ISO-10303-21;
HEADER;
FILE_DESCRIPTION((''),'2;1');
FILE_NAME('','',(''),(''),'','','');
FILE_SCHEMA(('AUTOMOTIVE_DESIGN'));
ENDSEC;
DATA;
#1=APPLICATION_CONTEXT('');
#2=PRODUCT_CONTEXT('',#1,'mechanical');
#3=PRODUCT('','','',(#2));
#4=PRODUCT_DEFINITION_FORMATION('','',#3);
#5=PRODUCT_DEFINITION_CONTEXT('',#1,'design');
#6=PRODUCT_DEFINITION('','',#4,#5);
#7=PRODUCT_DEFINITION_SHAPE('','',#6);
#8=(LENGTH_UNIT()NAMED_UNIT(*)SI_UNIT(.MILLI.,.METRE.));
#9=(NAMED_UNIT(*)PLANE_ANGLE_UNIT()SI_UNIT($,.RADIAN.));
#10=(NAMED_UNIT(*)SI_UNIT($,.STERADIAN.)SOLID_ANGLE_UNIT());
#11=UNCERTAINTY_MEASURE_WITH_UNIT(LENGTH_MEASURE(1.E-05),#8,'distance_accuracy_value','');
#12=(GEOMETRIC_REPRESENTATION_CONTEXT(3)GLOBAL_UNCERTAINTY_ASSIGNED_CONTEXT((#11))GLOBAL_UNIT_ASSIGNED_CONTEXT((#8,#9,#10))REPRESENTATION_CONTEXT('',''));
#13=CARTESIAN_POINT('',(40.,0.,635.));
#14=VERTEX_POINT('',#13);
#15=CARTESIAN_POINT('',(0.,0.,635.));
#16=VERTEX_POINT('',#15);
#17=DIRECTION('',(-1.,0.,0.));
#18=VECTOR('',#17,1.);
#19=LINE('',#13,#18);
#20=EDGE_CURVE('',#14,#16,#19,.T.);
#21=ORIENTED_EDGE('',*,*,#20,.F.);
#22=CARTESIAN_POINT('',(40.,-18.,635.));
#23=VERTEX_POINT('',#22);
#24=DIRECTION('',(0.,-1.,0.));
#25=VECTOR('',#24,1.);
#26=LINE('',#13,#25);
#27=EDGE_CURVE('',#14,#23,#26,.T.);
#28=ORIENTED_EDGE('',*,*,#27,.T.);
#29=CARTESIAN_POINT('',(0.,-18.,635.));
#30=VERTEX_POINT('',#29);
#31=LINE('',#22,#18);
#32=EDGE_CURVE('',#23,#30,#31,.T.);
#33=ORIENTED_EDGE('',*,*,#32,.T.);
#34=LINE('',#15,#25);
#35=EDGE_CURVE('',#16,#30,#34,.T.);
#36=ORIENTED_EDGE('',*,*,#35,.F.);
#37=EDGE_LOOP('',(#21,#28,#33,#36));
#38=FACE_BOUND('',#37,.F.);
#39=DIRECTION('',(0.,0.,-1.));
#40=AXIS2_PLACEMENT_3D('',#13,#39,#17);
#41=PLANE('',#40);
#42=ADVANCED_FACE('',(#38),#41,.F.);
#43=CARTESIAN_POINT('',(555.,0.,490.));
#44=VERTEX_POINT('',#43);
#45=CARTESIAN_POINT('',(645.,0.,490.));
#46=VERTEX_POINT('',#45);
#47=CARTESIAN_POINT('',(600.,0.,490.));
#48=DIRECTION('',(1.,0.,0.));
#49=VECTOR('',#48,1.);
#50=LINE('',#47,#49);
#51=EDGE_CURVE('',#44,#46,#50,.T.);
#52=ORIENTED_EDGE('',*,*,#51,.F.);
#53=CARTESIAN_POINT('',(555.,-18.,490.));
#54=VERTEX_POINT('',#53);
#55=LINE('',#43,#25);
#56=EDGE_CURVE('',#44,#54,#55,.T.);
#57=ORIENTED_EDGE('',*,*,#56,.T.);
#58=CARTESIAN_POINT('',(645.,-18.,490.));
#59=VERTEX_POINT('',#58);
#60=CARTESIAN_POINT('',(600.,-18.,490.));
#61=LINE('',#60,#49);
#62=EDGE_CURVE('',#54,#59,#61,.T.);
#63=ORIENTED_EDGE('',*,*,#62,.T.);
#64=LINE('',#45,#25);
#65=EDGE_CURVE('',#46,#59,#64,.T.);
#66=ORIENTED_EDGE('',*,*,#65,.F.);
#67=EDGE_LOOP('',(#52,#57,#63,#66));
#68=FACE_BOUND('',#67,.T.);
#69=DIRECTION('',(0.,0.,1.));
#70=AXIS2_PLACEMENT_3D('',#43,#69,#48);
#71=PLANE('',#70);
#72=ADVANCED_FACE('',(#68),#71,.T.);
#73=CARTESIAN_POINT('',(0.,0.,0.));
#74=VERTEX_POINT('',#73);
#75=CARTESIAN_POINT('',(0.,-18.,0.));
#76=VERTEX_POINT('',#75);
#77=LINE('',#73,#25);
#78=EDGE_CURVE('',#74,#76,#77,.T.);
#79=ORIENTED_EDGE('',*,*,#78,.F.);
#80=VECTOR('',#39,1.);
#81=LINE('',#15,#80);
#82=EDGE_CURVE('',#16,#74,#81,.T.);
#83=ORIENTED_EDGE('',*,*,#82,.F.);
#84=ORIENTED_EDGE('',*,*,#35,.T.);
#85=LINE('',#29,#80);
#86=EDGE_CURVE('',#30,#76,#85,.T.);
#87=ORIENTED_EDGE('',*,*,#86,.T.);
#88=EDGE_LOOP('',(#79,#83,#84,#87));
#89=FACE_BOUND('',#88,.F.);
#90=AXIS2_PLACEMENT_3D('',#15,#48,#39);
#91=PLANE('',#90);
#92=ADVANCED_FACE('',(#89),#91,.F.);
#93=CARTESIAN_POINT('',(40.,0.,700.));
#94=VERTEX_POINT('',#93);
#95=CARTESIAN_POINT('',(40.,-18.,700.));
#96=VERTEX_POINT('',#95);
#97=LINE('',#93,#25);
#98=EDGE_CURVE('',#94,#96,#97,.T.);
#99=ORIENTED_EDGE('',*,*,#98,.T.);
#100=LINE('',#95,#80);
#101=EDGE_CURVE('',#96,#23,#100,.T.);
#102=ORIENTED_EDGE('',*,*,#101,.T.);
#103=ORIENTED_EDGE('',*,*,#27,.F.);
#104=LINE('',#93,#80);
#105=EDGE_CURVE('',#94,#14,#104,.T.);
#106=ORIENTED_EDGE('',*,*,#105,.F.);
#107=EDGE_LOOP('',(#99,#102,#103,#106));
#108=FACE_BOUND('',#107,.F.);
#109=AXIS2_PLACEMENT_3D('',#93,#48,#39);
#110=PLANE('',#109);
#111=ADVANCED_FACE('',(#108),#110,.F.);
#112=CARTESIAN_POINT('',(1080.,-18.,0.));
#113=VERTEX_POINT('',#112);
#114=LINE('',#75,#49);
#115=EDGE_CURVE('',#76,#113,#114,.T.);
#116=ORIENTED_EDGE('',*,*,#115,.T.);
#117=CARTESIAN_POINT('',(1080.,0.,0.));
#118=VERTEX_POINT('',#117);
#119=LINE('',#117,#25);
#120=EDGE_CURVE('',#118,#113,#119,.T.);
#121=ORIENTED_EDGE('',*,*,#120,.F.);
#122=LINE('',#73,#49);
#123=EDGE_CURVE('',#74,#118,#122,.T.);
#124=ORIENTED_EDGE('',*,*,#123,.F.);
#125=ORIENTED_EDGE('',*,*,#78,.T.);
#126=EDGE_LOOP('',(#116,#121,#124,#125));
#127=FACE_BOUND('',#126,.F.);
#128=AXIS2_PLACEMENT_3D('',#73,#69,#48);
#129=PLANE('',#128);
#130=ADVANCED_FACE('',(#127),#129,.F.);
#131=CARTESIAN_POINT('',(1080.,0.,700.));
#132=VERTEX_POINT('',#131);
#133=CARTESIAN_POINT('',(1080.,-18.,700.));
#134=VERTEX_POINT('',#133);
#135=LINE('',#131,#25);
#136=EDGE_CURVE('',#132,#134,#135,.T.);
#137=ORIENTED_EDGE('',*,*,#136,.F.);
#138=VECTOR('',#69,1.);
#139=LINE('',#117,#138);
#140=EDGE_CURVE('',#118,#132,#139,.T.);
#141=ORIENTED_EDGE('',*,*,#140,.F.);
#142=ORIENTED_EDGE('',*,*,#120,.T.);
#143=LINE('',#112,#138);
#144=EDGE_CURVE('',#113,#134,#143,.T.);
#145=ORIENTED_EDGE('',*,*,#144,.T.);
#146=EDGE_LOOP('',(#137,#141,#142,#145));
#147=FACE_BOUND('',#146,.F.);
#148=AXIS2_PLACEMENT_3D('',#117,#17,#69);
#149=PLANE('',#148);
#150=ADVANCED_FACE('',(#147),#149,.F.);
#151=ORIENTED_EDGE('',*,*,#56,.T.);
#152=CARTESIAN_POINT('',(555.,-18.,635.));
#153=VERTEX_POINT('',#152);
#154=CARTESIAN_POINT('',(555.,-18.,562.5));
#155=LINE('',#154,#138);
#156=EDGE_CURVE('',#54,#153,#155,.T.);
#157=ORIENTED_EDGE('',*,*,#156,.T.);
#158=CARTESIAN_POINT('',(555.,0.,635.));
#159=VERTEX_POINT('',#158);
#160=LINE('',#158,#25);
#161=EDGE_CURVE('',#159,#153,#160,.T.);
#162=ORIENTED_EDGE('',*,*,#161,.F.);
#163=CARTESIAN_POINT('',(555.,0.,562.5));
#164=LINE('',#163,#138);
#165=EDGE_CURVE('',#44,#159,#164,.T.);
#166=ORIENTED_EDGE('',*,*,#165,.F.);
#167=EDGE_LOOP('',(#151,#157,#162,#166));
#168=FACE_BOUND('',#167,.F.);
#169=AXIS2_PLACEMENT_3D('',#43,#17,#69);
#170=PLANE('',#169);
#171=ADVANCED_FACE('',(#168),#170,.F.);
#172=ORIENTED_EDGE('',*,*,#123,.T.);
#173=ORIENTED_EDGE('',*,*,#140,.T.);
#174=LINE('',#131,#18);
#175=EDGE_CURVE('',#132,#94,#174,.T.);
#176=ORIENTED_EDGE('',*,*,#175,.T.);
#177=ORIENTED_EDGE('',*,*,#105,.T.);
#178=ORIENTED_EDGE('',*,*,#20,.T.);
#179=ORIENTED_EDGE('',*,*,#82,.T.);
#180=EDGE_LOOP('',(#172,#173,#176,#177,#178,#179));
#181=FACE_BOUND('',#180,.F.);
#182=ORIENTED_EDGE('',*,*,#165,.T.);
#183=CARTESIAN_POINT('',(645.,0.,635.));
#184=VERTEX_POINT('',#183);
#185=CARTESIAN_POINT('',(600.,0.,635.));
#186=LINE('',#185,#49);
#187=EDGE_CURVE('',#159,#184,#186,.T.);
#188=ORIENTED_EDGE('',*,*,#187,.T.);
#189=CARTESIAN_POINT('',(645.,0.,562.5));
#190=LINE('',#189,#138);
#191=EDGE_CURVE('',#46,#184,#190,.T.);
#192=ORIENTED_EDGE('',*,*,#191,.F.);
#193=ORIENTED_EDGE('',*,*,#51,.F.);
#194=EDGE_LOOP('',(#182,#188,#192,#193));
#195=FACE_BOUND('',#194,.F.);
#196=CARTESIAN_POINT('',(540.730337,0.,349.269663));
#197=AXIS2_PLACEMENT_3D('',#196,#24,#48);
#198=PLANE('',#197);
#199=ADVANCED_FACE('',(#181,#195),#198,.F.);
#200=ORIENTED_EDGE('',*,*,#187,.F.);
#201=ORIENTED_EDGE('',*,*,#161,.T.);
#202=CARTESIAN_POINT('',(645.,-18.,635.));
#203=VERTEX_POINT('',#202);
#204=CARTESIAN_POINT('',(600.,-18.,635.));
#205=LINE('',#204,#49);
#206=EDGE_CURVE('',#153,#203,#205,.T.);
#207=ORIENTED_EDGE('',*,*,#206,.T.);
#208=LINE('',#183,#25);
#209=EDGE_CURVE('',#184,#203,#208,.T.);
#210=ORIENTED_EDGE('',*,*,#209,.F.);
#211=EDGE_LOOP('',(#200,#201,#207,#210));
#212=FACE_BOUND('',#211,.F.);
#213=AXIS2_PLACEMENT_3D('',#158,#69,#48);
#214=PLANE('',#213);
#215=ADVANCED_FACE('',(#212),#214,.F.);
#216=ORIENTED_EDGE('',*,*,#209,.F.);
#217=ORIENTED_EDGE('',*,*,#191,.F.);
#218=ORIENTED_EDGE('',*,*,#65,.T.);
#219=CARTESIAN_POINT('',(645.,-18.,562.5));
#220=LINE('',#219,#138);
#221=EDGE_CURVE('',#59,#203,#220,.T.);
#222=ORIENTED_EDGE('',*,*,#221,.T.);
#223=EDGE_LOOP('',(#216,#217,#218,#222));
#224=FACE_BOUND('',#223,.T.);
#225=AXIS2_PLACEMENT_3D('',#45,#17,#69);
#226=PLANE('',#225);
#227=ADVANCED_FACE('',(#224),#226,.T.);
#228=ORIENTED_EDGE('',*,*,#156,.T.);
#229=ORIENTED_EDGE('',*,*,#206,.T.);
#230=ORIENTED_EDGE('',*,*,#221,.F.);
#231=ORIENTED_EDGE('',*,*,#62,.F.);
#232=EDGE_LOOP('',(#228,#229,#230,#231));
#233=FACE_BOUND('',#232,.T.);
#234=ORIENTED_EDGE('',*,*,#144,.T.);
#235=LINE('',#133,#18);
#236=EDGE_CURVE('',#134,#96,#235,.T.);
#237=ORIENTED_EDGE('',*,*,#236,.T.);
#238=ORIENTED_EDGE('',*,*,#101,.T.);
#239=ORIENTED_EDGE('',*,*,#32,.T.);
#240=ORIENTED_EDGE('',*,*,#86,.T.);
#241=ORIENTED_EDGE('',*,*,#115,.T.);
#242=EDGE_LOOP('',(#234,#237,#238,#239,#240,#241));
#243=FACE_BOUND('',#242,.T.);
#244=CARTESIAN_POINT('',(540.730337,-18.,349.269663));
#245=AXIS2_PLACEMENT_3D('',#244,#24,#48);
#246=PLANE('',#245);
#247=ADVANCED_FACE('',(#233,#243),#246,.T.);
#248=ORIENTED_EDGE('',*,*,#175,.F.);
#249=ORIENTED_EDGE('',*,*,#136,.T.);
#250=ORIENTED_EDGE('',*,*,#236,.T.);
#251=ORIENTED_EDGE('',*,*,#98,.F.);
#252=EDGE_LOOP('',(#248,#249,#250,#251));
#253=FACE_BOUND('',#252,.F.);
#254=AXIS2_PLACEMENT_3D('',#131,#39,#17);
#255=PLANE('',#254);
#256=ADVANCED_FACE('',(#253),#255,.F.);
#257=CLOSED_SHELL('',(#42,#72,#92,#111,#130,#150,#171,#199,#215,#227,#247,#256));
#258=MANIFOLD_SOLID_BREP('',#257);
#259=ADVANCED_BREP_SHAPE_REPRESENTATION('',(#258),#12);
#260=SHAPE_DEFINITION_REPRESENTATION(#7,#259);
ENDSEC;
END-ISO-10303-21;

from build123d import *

# Parameters (mm, degrees)
F0_W     = 90
F0_H     = 145
F1_DEPTH = 18


with BuildPart() as f1:
    # F0 (on Front) → F1 (new body)
    with BuildSketch(Plane.XZ):
        Polygon((0, 635), (0, 0), (1080, 0), (1080, 700), (40, 700), (40, 635), align=None)
        with Locations((600, 562.5)):
            Rectangle(F0_W, F0_H, mode=Mode.SUBTRACT)
    extrude(amount=F1_DEPTH)


solid = f1.part
